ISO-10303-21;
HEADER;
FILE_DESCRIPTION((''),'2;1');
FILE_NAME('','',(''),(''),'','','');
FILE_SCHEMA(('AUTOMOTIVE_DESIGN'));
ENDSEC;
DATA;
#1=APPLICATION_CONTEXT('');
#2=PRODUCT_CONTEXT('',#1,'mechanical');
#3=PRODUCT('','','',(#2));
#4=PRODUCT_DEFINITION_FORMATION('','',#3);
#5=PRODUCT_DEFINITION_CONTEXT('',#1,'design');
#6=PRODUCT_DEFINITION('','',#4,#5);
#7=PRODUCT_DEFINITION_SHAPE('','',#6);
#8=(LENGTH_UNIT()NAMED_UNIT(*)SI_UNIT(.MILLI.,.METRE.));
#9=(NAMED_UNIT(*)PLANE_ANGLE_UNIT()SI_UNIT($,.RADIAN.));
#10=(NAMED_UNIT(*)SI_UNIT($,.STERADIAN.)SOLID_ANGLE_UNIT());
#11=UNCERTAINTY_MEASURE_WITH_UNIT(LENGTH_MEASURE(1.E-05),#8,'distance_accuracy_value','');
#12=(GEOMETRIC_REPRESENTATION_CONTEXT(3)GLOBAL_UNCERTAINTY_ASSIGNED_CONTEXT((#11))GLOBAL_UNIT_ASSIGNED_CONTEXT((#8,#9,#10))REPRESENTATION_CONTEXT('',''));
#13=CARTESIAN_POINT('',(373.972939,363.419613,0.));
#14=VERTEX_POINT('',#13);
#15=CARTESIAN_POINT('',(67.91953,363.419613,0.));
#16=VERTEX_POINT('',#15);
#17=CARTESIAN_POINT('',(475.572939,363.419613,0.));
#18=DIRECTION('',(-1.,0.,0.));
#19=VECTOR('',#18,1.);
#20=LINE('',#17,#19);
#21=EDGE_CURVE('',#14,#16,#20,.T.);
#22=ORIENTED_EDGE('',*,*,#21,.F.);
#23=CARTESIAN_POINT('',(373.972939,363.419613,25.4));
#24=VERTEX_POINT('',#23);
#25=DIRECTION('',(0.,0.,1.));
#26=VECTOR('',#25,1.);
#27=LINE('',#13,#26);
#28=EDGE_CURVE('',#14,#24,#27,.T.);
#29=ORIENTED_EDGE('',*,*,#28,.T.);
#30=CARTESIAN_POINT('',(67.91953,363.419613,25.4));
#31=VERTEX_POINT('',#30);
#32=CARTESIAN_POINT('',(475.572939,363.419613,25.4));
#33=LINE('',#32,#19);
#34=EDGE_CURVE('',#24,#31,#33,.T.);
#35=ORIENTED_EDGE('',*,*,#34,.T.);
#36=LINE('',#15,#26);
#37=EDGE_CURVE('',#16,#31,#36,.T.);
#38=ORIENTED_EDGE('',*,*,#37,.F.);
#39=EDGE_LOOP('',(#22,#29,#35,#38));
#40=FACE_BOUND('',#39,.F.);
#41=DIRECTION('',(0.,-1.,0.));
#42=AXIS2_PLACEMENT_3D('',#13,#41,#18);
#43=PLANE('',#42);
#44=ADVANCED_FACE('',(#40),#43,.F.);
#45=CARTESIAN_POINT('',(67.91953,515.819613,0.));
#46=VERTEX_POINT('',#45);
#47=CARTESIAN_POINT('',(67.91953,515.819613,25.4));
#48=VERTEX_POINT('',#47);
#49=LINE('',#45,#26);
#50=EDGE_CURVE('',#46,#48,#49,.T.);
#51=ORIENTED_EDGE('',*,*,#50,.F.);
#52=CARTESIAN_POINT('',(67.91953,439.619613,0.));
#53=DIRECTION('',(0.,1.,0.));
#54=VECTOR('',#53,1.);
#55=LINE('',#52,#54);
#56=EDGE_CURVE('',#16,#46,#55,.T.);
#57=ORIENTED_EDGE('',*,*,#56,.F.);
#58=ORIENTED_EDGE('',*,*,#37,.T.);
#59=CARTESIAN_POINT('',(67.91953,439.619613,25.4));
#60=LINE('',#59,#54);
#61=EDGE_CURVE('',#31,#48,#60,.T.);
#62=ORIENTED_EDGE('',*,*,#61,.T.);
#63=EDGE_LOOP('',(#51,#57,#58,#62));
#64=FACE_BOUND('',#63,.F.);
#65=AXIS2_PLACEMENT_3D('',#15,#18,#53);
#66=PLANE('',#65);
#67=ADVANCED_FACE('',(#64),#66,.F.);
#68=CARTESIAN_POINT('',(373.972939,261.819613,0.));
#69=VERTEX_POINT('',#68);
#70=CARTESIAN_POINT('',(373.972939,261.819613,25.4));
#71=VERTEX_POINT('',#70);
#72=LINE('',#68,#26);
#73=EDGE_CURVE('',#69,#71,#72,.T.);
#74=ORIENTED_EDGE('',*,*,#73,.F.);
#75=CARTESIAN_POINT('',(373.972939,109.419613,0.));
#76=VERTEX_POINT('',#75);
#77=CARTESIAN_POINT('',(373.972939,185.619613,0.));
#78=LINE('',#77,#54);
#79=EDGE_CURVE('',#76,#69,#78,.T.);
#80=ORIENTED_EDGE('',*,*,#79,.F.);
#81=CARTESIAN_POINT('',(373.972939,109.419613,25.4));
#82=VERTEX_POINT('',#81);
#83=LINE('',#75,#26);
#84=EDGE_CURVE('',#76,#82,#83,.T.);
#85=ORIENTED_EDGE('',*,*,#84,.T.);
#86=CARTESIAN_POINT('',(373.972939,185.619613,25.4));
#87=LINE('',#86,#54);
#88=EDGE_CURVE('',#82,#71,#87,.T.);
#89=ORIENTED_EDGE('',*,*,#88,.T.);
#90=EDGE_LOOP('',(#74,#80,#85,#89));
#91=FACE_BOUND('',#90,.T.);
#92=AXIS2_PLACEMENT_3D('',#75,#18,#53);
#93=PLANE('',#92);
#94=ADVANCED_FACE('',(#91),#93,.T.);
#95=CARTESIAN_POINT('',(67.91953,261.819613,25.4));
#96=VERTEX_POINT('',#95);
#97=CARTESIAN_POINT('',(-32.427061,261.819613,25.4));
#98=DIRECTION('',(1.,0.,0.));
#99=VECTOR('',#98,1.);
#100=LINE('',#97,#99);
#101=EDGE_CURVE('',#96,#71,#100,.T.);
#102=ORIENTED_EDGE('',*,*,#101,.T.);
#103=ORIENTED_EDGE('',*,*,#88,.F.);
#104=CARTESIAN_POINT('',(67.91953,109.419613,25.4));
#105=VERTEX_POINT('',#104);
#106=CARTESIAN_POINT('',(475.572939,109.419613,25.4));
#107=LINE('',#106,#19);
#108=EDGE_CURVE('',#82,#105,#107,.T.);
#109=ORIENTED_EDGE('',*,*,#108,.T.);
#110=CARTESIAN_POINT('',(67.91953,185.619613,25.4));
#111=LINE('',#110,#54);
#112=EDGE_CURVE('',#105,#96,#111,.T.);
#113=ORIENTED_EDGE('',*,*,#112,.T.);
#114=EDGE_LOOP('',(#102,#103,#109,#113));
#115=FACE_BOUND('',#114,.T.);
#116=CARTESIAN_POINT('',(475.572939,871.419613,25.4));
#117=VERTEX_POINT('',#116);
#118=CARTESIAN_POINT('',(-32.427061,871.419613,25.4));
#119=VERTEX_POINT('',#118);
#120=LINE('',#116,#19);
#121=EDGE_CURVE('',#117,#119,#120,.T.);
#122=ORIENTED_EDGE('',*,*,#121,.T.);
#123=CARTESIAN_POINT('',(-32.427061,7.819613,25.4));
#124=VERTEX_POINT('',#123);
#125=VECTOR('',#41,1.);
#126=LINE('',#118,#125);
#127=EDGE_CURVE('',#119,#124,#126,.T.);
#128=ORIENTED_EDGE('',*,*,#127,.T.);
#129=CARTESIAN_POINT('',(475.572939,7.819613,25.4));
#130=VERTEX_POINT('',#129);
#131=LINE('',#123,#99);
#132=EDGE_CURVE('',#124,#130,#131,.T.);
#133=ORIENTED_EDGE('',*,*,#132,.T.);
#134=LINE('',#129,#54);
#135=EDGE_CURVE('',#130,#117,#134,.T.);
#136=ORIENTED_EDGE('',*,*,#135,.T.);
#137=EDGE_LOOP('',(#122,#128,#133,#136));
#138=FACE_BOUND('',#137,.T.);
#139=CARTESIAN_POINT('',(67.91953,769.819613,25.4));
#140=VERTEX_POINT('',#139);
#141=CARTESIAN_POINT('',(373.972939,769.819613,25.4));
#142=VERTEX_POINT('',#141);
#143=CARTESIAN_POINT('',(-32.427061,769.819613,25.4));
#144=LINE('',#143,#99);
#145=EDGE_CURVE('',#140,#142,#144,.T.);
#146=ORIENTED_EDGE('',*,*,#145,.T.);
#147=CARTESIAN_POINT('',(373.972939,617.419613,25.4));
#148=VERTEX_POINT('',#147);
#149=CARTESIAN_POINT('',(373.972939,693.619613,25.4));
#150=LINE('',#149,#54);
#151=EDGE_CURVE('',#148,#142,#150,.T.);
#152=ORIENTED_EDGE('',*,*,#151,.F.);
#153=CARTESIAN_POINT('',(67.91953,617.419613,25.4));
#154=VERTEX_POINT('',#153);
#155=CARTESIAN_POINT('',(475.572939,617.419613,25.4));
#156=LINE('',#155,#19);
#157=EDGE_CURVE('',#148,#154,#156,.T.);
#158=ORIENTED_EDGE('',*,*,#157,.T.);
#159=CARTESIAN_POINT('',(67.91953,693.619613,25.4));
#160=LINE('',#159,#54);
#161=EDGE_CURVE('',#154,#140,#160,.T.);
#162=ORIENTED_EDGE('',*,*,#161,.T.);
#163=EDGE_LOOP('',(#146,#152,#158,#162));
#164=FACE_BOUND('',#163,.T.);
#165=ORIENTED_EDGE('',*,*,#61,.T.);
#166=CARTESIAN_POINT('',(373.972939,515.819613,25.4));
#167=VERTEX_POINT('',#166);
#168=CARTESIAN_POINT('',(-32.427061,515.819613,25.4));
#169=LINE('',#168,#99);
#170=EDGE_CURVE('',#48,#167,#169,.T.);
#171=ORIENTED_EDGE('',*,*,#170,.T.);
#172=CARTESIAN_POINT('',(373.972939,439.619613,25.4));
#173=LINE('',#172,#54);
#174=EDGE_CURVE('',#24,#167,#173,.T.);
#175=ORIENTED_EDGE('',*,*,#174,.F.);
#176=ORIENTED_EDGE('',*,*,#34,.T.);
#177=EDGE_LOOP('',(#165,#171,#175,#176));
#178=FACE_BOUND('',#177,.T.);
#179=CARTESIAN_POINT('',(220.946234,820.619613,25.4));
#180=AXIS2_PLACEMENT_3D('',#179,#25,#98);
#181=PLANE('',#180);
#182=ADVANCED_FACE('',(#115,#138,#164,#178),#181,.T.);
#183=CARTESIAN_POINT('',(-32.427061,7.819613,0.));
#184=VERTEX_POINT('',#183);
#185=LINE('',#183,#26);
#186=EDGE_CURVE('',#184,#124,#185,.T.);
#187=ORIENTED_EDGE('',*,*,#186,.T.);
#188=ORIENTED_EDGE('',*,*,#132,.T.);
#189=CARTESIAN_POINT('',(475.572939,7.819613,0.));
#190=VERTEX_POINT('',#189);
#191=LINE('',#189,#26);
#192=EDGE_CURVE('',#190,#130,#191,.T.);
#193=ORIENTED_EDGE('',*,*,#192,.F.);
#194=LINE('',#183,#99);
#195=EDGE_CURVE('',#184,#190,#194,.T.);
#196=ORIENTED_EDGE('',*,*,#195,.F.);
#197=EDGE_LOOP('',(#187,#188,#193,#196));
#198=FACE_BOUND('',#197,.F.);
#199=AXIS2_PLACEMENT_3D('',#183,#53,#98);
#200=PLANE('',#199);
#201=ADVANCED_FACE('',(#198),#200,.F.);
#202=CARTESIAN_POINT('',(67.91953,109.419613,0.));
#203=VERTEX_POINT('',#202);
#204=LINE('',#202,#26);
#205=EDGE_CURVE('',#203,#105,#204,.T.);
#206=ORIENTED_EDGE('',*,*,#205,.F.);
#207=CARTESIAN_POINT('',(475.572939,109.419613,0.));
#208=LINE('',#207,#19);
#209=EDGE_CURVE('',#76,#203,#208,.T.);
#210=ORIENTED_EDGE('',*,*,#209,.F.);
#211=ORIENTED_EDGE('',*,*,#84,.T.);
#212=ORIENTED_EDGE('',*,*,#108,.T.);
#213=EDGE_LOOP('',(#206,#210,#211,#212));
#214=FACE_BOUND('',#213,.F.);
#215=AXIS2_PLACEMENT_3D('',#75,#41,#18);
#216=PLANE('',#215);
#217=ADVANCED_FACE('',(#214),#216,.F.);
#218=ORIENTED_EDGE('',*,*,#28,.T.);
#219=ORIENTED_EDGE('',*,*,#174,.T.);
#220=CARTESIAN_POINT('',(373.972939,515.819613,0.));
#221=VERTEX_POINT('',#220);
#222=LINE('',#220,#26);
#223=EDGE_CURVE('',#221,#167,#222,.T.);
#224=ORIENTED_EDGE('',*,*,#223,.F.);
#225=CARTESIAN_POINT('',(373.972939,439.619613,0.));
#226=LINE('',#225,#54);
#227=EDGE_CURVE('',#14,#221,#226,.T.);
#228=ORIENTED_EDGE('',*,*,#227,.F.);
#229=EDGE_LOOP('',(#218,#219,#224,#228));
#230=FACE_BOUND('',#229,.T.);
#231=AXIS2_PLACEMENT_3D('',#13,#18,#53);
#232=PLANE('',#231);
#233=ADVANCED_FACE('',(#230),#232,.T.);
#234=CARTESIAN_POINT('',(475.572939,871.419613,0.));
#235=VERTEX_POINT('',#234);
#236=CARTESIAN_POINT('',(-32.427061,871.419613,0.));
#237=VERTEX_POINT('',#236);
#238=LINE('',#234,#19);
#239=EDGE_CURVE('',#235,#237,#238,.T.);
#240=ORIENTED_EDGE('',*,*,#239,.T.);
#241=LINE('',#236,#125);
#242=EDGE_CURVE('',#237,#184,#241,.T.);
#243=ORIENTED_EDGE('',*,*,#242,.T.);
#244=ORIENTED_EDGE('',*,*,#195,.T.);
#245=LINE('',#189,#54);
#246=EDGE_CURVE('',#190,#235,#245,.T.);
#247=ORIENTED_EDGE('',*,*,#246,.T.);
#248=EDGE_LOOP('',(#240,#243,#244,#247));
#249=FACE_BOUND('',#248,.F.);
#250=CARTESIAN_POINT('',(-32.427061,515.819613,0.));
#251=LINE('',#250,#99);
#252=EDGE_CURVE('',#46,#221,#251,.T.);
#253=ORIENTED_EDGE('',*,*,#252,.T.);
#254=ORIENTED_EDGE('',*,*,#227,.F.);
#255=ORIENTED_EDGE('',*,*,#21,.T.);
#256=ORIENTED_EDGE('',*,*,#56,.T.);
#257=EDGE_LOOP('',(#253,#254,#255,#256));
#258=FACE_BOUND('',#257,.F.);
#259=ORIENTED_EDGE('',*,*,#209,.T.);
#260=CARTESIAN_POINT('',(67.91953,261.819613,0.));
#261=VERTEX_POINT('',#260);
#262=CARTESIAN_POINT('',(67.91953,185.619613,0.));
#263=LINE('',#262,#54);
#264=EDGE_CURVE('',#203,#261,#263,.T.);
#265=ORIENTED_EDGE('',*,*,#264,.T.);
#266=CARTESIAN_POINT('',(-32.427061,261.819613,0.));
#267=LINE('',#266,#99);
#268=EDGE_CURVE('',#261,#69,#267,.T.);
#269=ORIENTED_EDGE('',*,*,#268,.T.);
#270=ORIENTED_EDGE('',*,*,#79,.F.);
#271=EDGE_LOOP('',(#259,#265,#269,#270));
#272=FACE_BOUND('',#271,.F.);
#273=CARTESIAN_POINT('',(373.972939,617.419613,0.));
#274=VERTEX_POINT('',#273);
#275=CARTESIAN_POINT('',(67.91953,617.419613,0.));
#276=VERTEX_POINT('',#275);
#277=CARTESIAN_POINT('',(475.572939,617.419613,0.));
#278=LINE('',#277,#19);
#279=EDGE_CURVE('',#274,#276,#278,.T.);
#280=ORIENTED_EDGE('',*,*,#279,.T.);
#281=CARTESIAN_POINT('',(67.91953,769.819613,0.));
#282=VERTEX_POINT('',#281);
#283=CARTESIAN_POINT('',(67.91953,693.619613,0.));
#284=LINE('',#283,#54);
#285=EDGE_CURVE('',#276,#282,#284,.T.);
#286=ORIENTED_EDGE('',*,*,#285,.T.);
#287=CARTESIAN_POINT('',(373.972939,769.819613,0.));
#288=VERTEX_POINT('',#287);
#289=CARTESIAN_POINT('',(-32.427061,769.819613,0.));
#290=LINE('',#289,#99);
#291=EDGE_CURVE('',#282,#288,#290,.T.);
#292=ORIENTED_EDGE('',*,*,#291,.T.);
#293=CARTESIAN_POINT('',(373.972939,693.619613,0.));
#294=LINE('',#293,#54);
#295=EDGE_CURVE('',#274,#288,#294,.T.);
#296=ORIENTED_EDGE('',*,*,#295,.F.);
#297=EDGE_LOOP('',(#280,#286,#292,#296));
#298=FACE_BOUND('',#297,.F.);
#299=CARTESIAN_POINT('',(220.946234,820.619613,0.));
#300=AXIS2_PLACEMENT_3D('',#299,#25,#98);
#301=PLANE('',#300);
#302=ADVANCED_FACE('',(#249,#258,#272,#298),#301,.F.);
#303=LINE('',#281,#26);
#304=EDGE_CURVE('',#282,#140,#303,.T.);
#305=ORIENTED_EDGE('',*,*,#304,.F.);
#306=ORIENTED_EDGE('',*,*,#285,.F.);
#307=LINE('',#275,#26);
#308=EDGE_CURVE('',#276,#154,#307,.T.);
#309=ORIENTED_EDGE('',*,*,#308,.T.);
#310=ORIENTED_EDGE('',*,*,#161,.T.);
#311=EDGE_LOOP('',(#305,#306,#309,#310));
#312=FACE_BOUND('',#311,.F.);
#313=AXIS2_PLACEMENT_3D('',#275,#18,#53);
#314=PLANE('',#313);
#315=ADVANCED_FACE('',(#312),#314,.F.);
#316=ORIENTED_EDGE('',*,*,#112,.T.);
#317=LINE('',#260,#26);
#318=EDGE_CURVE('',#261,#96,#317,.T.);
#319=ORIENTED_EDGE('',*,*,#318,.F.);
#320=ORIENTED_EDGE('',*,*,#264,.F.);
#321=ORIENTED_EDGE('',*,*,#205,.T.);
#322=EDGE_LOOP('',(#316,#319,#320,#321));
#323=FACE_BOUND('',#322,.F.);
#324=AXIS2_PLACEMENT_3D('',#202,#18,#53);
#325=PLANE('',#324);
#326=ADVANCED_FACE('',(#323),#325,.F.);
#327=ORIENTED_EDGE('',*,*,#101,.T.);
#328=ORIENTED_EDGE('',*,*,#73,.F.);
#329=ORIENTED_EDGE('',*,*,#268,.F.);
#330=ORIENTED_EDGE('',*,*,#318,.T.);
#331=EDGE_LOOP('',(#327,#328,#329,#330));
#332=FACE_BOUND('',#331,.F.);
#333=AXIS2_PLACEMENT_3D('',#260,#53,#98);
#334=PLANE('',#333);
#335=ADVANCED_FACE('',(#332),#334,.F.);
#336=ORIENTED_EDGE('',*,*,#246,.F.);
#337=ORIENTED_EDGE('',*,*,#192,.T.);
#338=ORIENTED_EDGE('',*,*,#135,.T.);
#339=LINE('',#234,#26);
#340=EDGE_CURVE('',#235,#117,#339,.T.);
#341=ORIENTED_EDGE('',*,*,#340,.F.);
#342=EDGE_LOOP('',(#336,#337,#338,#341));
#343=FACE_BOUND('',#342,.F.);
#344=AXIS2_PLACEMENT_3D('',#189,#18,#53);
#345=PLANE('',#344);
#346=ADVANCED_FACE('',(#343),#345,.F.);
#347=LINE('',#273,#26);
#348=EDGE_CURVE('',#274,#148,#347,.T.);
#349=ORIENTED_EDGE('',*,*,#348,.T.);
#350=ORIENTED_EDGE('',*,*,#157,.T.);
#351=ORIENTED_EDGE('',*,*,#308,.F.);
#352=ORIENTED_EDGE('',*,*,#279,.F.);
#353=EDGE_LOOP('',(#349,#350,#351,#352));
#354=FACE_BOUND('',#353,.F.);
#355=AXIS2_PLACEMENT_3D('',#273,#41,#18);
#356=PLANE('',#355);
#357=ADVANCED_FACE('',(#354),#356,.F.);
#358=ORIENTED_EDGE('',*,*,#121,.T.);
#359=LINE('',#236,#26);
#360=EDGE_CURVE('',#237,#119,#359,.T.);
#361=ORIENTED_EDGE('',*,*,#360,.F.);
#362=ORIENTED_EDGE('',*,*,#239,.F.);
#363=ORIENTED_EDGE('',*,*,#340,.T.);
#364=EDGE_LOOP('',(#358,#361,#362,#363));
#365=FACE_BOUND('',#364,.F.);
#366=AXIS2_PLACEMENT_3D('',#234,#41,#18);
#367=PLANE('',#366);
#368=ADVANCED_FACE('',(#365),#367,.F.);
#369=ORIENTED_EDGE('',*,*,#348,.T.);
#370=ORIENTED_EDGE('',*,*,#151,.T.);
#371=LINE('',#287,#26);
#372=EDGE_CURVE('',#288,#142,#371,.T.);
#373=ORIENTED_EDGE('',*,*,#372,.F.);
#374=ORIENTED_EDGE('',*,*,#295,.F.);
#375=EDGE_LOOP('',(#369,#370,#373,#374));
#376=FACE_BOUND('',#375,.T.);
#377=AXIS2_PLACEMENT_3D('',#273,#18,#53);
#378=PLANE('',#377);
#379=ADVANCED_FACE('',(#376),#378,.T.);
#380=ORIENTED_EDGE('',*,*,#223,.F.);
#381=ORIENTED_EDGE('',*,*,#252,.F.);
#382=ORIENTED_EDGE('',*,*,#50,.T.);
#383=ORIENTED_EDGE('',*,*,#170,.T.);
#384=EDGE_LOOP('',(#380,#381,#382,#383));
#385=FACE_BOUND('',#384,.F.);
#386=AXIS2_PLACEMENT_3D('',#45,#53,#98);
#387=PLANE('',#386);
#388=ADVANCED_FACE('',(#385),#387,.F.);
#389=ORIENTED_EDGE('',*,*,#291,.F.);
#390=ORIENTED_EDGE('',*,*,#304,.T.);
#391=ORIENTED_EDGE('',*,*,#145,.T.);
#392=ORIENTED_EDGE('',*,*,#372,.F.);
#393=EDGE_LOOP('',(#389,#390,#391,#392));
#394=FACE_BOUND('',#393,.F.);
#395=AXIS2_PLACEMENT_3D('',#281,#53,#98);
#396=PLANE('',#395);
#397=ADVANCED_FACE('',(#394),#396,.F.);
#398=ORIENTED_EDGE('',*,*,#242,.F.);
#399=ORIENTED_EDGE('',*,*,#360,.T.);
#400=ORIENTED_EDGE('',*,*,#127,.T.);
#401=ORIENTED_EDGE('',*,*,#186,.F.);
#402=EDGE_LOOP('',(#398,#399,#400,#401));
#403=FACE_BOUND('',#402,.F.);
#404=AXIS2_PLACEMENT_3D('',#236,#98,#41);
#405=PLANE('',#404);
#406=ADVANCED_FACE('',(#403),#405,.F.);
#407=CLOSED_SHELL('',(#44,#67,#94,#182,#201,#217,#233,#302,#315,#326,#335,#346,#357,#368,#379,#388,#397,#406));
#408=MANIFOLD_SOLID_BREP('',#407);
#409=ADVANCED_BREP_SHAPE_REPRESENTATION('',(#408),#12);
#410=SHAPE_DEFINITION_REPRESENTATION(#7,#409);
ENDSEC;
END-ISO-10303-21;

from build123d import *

# Parameters (mm, degrees)
F0_W     = 306.0534086764
F0_H     = 101.6
F0_W_2   = 101.6
F0_H_2   = 152.4
F0_W_3   = 100.3465913236
F1_DEPTH = 25.4


with BuildPart() as f1:
    # F0 (on Top) → F1 (new body)
    with BuildSketch(Plane.XY):
        with Locations((220.9462343127, 820.6196134418)):
            Rectangle(F0_W, F0_H)
        with Locations((220.9462343127, 566.6196134418)):
            Rectangle(F0_W, F0_H)
        with Locations((220.9462343127, 312.6196134418)):
            Rectangle(F0_W, F0_H)
        with Locations((220.9462343127, 58.6196134418)):
            Rectangle(F0_W, F0_H)
        with Locations((424.7729386508, 58.6196134418)):
            Rectangle(F0_W_2, F0_H)
        with Locations((424.7729386508, 185.6196134418)):
            Rectangle(F0_W_2, F0_H_2)
        with Locations((424.7729386508, 312.6196134418)):
            Rectangle(F0_W_2, F0_H)
        with Locations((424.7729386508, 439.6196134418)):
            Rectangle(F0_W_2, F0_H_2)
        with Locations((424.7729386508, 566.6196134418)):
            Rectangle(F0_W_2, F0_H)
        with Locations((424.7729386508, 693.6196134418)):
            Rectangle(F0_W_2, F0_H_2)
        with Locations((424.7729386508, 820.6196134418)):
            Rectangle(F0_W_2, F0_H)
        with Locations((17.7462343127, 820.6196134418)):
            Rectangle(F0_W_3, F0_H)
        with Locations((17.7462343127, 693.6196134418)):
            Rectangle(F0_W_3, F0_H_2)
        with Locations((17.7462343127, 566.6196134418)):
            Rectangle(F0_W_3, F0_H)
        with Locations((17.7462343127, 439.6196134418)):
            Rectangle(F0_W_3, F0_H_2)
        with Locations((17.7462343127, 312.6196134418)):
            Rectangle(F0_W_3, F0_H)
        with Locations((17.7462343127, 185.6196134418)):
            Rectangle(F0_W_3, F0_H_2)
        with Locations((17.7462343127, 58.6196134418)):
            Rectangle(F0_W_3, F0_H)
    extrude(amount=F1_DEPTH)


solid = f1.part
